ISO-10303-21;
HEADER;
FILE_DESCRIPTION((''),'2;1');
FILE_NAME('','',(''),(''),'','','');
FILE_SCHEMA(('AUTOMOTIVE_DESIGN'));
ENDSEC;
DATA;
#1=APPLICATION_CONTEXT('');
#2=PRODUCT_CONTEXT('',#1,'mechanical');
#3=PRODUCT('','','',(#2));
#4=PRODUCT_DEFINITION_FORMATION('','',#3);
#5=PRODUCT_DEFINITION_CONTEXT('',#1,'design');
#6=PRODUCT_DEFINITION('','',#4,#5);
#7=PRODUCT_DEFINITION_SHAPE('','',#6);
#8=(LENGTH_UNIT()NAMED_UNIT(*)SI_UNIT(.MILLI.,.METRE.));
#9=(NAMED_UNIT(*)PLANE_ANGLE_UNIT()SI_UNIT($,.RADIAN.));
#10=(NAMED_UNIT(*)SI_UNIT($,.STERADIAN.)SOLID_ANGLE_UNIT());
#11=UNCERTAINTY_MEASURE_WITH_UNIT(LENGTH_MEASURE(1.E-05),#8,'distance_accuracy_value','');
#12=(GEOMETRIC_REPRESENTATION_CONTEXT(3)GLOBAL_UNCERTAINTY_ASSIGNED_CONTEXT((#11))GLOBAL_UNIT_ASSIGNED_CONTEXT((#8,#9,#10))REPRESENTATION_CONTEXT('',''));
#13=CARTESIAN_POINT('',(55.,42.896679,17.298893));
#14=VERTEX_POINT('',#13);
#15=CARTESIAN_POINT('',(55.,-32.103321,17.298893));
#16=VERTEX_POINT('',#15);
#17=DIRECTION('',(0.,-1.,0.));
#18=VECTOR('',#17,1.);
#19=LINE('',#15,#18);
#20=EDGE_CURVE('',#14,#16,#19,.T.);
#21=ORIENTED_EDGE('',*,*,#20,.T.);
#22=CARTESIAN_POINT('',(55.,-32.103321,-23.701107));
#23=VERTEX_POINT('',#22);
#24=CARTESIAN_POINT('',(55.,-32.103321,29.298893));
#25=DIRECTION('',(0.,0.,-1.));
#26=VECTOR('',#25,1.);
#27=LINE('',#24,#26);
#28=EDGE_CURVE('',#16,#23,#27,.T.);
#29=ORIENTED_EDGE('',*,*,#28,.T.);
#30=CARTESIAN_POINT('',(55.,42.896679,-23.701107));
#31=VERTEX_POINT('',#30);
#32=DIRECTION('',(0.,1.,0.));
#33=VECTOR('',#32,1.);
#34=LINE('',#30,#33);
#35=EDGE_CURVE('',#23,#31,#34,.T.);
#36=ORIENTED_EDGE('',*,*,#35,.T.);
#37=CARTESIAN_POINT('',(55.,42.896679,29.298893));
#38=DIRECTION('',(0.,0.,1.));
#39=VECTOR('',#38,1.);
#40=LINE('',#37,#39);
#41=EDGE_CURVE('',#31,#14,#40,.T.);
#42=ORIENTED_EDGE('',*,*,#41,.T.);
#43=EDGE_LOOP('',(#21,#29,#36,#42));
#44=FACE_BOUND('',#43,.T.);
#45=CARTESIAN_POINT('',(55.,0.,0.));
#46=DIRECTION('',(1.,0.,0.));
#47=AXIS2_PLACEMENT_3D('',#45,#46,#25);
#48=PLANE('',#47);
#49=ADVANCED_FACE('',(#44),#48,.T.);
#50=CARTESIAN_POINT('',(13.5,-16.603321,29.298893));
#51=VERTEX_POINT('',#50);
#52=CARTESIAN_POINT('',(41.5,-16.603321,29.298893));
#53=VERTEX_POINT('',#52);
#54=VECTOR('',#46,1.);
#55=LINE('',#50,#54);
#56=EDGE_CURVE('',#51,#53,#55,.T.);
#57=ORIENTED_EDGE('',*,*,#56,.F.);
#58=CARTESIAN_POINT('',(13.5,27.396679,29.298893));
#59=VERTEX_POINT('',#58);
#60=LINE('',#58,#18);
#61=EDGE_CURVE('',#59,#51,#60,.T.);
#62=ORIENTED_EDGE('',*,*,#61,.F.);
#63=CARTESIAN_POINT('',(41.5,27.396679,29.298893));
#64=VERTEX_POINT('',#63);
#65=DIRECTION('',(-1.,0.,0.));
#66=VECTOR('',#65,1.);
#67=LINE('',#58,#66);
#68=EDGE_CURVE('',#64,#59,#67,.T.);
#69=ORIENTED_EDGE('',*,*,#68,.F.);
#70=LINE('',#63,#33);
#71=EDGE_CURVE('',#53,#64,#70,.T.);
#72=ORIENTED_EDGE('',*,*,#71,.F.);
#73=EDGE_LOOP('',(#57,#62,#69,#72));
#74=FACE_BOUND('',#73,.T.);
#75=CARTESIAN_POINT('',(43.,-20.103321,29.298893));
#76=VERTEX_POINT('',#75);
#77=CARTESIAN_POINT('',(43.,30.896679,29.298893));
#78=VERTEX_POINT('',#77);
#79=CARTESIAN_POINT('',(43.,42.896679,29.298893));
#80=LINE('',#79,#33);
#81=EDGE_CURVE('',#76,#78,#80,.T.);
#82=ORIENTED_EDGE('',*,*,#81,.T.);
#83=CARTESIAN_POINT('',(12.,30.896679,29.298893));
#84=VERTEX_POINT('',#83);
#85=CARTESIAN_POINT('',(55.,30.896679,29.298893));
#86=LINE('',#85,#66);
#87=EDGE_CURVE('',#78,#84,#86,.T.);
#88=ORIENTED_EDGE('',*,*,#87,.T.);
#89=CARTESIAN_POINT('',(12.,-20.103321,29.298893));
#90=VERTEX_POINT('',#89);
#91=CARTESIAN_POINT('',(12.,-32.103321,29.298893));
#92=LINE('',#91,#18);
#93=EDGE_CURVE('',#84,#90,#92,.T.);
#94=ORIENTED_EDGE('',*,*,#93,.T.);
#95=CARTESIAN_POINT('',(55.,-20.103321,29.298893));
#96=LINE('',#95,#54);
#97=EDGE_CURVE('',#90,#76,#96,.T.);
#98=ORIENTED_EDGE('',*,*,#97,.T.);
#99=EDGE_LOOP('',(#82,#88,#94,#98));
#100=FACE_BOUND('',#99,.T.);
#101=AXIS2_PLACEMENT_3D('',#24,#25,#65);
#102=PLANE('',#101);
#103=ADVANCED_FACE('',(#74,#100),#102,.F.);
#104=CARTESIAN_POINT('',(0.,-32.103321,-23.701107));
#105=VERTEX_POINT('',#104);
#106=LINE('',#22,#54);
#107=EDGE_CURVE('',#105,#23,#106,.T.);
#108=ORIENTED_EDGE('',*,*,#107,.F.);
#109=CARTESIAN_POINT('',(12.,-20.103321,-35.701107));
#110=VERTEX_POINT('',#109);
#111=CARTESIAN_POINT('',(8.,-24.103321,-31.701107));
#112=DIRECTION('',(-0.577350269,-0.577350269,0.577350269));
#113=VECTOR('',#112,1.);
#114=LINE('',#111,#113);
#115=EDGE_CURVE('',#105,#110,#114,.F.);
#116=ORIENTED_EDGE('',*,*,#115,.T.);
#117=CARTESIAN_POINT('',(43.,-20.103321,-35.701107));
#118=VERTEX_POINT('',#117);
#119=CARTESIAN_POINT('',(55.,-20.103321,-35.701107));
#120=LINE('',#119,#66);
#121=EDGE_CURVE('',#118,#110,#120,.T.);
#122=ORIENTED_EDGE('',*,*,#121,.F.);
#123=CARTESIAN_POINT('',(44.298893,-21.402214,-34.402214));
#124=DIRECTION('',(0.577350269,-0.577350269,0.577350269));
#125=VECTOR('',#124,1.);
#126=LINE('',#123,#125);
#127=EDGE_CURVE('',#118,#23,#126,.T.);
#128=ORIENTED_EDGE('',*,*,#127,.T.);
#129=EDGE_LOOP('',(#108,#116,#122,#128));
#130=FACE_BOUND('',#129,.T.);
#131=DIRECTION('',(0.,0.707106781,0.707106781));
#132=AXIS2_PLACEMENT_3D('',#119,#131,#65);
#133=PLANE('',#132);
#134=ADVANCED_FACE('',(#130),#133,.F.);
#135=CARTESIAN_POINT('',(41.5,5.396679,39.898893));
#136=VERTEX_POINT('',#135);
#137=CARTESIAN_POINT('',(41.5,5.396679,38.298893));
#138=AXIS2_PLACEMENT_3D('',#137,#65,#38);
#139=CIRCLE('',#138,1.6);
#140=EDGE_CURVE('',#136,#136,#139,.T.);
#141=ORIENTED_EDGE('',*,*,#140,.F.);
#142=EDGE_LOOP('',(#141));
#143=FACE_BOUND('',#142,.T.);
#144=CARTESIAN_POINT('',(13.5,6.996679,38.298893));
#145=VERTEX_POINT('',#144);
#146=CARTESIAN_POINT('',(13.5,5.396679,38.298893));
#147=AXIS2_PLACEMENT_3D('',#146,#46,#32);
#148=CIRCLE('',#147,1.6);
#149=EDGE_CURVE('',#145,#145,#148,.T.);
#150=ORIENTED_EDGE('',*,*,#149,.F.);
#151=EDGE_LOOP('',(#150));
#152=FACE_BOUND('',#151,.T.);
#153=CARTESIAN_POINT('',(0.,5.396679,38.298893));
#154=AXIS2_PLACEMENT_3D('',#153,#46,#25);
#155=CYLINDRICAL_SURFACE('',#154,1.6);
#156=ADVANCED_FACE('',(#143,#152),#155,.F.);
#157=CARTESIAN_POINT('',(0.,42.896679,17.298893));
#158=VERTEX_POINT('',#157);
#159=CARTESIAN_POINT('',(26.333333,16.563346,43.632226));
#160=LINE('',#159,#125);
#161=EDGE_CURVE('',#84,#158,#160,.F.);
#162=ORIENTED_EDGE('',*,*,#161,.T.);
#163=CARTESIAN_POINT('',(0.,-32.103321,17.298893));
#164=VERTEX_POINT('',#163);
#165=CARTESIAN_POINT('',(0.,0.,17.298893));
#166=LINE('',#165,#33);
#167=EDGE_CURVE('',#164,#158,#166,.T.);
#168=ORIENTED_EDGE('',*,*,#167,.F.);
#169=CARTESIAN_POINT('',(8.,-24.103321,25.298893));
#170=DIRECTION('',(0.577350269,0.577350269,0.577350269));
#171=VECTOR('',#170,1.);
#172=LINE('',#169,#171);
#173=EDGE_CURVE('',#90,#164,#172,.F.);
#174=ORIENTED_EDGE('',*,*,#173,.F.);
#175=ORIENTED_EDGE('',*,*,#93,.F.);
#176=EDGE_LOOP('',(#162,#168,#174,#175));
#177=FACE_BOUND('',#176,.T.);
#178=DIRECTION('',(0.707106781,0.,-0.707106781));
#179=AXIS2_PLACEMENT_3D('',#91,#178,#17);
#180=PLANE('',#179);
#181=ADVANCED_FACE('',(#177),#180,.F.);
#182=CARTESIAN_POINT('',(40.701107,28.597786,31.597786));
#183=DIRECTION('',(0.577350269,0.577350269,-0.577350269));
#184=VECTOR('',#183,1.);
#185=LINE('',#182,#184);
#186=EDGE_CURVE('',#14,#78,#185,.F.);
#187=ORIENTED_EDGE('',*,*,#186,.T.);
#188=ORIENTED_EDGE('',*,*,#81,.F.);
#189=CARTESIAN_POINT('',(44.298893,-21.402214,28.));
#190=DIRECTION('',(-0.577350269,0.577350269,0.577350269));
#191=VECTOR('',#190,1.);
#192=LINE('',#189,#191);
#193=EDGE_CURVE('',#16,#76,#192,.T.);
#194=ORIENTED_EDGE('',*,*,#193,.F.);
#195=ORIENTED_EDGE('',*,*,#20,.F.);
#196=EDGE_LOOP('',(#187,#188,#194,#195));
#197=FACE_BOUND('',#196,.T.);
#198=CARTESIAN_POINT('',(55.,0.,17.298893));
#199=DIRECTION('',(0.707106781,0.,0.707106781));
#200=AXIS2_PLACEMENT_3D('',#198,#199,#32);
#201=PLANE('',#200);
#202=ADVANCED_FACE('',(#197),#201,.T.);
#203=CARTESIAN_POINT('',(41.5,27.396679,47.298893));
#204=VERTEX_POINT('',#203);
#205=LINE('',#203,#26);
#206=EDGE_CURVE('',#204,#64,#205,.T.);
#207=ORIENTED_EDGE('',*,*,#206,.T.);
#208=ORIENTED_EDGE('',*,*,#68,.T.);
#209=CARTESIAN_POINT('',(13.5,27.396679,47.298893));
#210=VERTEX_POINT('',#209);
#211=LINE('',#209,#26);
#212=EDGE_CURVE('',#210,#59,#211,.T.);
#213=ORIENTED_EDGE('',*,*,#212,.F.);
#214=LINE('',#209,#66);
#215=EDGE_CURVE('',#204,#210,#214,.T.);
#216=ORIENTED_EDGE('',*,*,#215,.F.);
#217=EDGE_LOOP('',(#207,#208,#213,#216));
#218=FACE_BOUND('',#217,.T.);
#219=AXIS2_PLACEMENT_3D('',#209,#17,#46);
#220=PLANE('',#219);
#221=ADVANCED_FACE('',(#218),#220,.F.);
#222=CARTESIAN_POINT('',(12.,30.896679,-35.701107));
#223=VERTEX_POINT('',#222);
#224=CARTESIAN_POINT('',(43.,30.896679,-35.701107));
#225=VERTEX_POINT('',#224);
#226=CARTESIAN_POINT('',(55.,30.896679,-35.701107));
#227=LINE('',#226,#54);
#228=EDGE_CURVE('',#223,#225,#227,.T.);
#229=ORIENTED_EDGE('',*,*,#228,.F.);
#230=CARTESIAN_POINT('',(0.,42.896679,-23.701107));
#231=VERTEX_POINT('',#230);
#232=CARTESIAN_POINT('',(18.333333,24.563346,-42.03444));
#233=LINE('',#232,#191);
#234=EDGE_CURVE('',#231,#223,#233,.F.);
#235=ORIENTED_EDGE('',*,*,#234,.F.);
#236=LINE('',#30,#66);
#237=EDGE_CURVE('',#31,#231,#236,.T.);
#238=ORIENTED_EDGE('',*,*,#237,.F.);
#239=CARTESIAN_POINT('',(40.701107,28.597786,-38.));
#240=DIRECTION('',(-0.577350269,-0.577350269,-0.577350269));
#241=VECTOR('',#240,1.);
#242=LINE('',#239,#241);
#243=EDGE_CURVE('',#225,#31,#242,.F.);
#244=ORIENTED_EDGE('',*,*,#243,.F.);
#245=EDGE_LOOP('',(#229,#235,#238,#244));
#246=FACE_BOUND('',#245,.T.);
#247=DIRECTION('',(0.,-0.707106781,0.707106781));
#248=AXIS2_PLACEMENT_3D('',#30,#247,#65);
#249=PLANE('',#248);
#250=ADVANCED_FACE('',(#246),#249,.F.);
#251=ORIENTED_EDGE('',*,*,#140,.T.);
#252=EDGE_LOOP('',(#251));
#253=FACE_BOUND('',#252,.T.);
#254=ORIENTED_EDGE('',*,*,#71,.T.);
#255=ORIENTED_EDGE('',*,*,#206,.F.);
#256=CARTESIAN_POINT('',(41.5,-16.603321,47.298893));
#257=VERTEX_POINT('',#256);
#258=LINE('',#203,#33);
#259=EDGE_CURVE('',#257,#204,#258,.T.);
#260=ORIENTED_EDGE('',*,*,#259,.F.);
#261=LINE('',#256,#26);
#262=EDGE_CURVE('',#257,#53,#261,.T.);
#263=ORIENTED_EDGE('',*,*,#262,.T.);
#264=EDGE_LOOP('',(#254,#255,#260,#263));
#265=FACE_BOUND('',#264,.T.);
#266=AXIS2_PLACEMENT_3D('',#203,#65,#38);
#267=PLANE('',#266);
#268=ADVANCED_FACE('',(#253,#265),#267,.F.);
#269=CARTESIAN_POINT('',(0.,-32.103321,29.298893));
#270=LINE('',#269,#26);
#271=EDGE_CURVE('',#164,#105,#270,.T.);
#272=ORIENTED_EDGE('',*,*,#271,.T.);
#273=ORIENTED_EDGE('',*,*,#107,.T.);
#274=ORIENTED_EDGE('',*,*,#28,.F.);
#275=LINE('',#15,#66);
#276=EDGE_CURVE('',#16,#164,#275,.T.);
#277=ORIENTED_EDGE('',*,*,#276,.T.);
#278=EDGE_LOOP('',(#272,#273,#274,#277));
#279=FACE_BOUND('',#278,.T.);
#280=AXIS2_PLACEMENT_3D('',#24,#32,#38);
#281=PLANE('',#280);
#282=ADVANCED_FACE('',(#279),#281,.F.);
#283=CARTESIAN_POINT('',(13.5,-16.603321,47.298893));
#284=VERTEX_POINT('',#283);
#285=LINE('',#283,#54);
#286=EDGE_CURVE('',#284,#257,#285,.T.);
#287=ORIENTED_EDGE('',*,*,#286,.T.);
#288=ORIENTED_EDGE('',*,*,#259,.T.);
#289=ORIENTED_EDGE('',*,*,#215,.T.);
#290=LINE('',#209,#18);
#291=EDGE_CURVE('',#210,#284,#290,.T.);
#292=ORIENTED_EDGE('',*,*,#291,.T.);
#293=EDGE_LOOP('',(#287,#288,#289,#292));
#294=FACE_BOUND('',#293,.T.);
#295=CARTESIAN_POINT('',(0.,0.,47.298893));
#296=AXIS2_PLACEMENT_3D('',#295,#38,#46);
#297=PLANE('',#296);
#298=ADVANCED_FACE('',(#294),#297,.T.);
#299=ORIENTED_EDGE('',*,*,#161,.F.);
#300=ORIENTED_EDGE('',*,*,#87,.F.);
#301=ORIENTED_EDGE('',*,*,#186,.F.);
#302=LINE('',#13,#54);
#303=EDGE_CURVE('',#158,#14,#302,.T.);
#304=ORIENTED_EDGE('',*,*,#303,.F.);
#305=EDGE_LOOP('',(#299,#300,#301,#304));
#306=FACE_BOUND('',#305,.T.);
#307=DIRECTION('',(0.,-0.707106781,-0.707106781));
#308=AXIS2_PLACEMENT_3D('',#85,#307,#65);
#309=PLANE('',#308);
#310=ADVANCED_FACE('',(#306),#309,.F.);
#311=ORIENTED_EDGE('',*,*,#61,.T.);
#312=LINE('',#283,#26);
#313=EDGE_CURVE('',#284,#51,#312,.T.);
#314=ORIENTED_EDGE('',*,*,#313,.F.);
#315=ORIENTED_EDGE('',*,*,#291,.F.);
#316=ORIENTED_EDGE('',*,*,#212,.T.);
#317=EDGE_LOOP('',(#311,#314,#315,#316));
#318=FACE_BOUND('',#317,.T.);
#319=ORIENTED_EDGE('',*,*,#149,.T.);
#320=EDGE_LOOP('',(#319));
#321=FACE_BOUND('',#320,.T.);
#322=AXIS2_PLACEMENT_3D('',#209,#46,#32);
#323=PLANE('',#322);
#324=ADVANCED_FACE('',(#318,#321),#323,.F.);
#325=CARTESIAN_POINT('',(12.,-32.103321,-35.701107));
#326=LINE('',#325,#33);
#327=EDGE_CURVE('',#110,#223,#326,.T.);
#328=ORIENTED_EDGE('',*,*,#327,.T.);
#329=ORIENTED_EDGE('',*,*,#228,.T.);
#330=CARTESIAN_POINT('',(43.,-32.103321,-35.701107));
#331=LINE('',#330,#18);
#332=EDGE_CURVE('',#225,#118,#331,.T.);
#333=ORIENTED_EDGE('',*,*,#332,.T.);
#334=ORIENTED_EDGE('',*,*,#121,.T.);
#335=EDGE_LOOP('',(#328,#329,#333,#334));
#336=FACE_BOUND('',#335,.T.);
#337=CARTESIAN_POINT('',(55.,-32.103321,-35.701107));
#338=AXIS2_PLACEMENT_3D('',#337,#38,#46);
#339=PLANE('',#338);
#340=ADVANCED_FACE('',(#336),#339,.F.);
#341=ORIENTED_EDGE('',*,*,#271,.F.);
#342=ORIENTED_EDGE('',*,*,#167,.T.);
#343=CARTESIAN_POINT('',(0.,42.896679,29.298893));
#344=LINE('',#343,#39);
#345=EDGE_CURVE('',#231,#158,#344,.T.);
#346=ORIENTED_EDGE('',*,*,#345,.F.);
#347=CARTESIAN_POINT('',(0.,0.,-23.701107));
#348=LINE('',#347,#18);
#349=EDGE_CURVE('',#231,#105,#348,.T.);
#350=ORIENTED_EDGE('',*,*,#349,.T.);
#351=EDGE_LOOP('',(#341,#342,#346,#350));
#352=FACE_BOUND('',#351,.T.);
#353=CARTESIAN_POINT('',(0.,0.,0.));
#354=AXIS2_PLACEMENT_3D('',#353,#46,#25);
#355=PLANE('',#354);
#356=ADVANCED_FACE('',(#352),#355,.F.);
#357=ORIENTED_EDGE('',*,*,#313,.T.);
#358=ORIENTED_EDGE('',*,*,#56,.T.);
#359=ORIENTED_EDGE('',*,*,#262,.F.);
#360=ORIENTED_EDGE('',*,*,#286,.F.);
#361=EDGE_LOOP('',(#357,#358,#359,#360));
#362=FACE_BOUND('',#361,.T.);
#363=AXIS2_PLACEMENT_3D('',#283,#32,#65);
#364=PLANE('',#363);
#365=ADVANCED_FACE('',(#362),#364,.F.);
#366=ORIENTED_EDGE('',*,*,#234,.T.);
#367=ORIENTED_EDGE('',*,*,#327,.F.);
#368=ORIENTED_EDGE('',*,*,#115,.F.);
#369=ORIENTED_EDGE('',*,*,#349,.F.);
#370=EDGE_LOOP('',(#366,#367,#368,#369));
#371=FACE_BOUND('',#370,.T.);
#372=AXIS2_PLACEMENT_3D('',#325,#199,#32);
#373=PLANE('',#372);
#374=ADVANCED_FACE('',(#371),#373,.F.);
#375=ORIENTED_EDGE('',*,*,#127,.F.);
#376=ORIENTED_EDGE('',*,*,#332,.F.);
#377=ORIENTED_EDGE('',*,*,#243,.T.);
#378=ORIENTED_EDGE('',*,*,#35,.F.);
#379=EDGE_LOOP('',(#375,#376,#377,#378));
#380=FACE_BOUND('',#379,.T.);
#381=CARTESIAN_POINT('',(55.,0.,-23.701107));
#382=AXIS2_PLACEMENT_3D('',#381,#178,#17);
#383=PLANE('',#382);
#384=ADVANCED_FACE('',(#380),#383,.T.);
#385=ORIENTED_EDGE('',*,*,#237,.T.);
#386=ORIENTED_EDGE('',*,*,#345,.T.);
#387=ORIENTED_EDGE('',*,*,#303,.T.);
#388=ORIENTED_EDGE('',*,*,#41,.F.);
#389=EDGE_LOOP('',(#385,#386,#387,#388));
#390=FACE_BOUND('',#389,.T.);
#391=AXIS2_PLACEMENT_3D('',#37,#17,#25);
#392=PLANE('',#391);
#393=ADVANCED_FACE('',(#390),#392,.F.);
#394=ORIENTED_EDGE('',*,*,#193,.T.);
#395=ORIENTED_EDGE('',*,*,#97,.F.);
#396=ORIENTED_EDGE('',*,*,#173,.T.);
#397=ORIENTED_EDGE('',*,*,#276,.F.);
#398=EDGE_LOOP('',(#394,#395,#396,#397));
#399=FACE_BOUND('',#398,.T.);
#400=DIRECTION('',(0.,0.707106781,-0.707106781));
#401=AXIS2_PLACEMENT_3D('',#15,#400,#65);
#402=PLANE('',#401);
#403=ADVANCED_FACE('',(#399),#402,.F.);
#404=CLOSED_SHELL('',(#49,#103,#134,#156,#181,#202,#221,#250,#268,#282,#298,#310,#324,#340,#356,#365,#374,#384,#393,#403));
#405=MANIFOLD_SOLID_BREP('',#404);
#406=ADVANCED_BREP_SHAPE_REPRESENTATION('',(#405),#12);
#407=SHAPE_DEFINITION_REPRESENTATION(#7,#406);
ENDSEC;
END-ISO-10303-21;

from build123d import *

# Parameters (mm, degrees)
SKETCH1_W               = 75
SKETCH1_H               = 65
BOSS_EXTRUDE1_DEPTH     = 55
SKETCH2_W               = 28
SKETCH2_H               = 44
BOSS_EXTRUDE2_DEPTH     = 18
CHAMFER1_SIZE           = 12
CUT_EXTRUDE1_DEPTH      = 77.154844523
CUT_EXTRUDE1_DEPTH_BACK = 77.154844523
SKETCH3_R               = 1.6


with BuildPart() as part:
    # Sketch1 → Boss-Extrude1 (new body)
    with BuildSketch(Plane.YZ):
        with Locations((5.396678967, -3.201107011)):
            Rectangle(SKETCH1_W, SKETCH1_H)
    extrude(amount=BOSS_EXTRUDE1_DEPTH)

    # Sketch2 → Boss-Extrude2 (add)
    with BuildSketch(Plane.XY.offset(29.298892989)):
        with Locations((27.5, 5.396678967)):
            Rectangle(SKETCH2_W, SKETCH2_H)
    extrude(amount=BOSS_EXTRUDE2_DEPTH)

    # Chamfer1
    chamfer1_edges = [part.edges().sort_by_distance(p)[0] for p in [
        (55, 5.396678967, 29.298892989),
        (0, 5.396678967, 29.298892989),
        (0, 5.396678967, -35.701107011),
        (27.5, -32.103321033, 29.298892989),
        (27.5, 42.896678967, 29.298892989),
        (27.5, 42.896678967, -35.701107011),
        (27.5, -32.103321033, -35.701107011),
        (55, 5.396678967, -35.701107011),
    ]]
    chamfer(chamfer1_edges, length=CHAMFER1_SIZE)

    # Sketch3 → Cut-Extrude1 (cut, two sides: drawn at the far end of the back side and taken through both)
    with BuildSketch(Plane.YZ.offset(41.5).offset(-CUT_EXTRUDE1_DEPTH_BACK)):
        with Locations((5.396678967, 38.298892989)):
            Circle(SKETCH3_R)
    extrude(amount=CUT_EXTRUDE1_DEPTH + CUT_EXTRUDE1_DEPTH_BACK, mode=Mode.SUBTRACT)


solid = part.part
